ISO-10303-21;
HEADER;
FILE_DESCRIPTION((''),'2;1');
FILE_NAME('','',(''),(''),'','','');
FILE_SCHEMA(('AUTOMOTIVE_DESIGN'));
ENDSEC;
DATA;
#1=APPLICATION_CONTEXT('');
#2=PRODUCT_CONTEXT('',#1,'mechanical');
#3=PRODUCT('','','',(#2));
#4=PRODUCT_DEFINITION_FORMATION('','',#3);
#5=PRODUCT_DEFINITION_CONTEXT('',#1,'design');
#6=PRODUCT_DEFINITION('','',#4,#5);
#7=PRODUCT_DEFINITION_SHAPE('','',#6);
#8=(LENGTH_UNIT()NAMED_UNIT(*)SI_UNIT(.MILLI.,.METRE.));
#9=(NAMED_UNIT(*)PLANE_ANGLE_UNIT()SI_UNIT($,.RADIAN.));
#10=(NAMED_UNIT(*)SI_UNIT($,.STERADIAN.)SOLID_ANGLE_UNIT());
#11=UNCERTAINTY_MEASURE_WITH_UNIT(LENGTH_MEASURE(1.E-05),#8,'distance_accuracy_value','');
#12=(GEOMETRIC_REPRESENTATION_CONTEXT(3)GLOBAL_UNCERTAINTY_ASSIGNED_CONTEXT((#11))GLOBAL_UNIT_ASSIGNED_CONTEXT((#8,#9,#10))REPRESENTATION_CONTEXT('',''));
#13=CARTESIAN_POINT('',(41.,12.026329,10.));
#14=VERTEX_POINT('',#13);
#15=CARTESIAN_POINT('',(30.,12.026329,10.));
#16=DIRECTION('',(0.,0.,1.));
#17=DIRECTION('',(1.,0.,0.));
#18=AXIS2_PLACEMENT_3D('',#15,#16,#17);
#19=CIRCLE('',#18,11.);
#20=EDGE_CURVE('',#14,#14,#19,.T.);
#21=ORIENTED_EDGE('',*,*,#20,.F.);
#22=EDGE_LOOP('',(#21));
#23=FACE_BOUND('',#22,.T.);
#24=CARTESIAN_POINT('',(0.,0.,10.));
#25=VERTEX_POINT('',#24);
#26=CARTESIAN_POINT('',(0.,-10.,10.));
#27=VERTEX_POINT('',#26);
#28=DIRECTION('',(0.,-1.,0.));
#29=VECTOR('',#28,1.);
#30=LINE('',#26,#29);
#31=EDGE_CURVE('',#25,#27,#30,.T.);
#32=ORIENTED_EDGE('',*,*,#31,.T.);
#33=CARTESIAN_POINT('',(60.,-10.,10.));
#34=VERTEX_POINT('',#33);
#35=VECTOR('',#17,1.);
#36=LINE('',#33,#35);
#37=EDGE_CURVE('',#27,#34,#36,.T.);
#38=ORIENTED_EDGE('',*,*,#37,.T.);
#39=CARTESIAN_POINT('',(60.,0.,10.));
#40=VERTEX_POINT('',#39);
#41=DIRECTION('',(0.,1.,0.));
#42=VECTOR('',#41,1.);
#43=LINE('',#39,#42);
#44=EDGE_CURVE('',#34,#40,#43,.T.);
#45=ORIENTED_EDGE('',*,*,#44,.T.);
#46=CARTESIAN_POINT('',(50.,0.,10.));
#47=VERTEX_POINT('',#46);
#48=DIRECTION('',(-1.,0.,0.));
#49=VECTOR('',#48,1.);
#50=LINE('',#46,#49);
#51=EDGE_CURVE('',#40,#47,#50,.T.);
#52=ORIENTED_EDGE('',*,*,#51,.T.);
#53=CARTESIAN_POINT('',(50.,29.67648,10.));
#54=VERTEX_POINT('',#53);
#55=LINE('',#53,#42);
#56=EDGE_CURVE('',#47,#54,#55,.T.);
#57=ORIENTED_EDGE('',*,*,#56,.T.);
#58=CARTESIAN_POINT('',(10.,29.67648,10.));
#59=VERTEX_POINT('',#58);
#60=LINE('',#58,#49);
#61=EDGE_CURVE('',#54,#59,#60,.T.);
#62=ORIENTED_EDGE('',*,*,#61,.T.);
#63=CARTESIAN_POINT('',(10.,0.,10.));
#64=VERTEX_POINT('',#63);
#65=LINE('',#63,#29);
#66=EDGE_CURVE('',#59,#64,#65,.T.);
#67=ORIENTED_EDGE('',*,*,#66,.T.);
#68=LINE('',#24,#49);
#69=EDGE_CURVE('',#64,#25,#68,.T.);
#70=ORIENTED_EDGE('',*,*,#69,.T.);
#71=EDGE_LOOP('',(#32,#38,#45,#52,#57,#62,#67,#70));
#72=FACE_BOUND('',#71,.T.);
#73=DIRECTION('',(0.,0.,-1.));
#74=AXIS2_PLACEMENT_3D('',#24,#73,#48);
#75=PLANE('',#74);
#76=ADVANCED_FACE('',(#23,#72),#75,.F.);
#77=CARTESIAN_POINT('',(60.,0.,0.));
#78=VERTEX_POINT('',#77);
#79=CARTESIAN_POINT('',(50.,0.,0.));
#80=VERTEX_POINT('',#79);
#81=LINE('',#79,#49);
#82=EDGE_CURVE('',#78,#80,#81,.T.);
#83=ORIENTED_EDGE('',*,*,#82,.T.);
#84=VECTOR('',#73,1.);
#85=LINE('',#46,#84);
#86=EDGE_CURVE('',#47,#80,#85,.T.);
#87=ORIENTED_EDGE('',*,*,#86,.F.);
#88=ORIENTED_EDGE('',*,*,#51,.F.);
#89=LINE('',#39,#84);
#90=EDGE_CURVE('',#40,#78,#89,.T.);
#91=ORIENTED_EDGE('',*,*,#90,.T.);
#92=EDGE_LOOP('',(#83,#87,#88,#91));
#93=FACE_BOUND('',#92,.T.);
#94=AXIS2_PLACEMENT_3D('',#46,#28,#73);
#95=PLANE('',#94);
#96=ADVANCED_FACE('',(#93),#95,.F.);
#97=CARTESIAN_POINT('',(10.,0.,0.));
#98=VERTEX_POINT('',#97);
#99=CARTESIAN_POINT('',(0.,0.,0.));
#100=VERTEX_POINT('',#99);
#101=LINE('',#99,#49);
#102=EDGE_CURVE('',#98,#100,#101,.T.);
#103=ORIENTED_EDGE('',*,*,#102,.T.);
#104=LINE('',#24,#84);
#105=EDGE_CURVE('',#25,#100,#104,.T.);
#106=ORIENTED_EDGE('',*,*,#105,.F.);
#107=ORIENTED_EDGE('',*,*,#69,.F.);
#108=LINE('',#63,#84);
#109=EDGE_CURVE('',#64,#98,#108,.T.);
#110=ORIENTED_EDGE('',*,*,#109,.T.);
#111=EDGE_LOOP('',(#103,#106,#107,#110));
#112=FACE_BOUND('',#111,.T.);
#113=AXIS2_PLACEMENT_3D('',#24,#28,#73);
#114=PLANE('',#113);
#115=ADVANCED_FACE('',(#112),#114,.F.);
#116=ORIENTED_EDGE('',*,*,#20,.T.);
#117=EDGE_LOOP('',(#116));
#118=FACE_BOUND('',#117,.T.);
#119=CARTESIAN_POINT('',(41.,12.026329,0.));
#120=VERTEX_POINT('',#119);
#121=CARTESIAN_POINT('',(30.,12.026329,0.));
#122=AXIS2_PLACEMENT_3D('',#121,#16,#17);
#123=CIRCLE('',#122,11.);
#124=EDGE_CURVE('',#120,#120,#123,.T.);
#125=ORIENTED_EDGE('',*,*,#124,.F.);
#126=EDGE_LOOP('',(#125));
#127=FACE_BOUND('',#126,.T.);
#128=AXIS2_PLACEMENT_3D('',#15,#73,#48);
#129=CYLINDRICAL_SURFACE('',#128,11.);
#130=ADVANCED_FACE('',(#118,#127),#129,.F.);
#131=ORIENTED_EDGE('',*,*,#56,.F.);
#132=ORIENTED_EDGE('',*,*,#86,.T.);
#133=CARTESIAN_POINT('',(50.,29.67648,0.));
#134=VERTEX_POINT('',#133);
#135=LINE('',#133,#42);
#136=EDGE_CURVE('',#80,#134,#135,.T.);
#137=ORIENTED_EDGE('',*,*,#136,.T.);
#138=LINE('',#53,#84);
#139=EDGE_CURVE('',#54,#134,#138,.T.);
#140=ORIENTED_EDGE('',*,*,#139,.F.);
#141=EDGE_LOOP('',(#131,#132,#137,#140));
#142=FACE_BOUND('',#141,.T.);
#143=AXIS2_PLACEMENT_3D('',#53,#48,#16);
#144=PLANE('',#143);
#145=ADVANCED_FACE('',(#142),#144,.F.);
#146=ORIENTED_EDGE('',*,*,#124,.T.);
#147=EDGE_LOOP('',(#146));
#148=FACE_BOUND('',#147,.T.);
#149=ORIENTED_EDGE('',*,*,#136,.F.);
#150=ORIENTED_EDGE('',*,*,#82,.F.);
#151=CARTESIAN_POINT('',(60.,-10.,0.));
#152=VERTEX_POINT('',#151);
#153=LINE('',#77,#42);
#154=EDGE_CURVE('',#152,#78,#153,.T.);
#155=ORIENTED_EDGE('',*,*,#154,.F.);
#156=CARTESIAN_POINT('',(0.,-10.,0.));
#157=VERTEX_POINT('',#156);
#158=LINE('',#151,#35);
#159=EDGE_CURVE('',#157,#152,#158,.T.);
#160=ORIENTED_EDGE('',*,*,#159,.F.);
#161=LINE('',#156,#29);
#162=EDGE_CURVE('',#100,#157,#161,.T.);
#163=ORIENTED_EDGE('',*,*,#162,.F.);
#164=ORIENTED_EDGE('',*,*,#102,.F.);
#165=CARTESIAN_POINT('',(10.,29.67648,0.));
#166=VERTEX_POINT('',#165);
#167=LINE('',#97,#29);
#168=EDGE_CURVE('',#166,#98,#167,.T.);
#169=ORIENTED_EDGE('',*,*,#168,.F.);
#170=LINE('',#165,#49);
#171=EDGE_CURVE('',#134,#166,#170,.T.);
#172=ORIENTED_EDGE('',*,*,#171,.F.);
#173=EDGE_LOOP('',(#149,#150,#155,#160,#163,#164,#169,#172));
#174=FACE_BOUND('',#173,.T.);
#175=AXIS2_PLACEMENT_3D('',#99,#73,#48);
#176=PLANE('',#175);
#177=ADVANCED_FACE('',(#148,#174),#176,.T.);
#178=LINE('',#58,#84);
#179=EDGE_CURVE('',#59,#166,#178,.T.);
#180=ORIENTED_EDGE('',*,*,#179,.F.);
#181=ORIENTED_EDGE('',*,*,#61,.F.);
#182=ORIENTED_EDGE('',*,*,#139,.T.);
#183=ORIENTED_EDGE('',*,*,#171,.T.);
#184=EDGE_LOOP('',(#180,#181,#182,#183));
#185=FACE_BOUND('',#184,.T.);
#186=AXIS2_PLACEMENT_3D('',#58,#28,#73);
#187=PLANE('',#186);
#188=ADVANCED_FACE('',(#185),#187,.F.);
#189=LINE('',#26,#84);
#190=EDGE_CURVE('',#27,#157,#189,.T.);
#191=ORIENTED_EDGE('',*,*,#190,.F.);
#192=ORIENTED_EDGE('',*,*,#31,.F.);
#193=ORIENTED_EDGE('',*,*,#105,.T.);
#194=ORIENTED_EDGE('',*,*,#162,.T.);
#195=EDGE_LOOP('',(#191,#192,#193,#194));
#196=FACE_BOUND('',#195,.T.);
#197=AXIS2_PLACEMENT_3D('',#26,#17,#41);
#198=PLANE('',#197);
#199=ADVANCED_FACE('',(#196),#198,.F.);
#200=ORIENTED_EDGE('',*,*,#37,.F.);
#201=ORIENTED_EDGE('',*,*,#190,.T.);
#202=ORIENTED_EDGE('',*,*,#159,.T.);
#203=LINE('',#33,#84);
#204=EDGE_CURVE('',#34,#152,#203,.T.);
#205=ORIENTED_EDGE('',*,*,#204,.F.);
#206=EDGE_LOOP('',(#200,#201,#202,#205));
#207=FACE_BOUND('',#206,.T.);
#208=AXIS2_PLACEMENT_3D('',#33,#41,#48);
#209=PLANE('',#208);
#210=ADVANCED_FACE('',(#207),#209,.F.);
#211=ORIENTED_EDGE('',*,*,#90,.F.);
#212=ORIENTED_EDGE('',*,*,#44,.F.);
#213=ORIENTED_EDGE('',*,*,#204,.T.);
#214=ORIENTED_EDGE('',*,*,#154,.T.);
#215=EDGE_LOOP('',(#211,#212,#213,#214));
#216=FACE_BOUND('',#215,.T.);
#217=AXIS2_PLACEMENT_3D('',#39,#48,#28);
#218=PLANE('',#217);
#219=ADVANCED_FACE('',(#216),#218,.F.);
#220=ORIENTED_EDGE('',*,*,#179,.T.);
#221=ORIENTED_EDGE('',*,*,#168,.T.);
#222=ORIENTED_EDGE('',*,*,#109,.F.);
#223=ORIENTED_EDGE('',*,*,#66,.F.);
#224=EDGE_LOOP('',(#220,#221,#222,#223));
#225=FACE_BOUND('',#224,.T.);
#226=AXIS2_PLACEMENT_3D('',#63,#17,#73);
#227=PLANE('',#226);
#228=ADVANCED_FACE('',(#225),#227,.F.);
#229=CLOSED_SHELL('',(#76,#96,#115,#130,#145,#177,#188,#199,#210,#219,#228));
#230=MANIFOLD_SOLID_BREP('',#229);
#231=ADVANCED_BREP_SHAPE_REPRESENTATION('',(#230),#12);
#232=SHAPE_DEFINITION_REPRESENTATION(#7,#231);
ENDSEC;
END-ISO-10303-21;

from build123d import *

# Parameters (mm, degrees)
SKETCH1_R           = 11
BOSS_EXTRUDE1_DEPTH = 10


with BuildPart() as part:
    # Sketch1 → Boss-Extrude1 (new body)
    with BuildSketch(Plane.XY):
        Polygon((0, 0), (10, 0), (10, 29.676479821), (50, 29.676479821), (50, 0), (60, 0), (60, -10), (0, -10), align=None)
        with Locations((30, 12.026328557)):
            Circle(SKETCH1_R, mode=Mode.SUBTRACT)
    extrude(amount=BOSS_EXTRUDE1_DEPTH)


solid = part.part
